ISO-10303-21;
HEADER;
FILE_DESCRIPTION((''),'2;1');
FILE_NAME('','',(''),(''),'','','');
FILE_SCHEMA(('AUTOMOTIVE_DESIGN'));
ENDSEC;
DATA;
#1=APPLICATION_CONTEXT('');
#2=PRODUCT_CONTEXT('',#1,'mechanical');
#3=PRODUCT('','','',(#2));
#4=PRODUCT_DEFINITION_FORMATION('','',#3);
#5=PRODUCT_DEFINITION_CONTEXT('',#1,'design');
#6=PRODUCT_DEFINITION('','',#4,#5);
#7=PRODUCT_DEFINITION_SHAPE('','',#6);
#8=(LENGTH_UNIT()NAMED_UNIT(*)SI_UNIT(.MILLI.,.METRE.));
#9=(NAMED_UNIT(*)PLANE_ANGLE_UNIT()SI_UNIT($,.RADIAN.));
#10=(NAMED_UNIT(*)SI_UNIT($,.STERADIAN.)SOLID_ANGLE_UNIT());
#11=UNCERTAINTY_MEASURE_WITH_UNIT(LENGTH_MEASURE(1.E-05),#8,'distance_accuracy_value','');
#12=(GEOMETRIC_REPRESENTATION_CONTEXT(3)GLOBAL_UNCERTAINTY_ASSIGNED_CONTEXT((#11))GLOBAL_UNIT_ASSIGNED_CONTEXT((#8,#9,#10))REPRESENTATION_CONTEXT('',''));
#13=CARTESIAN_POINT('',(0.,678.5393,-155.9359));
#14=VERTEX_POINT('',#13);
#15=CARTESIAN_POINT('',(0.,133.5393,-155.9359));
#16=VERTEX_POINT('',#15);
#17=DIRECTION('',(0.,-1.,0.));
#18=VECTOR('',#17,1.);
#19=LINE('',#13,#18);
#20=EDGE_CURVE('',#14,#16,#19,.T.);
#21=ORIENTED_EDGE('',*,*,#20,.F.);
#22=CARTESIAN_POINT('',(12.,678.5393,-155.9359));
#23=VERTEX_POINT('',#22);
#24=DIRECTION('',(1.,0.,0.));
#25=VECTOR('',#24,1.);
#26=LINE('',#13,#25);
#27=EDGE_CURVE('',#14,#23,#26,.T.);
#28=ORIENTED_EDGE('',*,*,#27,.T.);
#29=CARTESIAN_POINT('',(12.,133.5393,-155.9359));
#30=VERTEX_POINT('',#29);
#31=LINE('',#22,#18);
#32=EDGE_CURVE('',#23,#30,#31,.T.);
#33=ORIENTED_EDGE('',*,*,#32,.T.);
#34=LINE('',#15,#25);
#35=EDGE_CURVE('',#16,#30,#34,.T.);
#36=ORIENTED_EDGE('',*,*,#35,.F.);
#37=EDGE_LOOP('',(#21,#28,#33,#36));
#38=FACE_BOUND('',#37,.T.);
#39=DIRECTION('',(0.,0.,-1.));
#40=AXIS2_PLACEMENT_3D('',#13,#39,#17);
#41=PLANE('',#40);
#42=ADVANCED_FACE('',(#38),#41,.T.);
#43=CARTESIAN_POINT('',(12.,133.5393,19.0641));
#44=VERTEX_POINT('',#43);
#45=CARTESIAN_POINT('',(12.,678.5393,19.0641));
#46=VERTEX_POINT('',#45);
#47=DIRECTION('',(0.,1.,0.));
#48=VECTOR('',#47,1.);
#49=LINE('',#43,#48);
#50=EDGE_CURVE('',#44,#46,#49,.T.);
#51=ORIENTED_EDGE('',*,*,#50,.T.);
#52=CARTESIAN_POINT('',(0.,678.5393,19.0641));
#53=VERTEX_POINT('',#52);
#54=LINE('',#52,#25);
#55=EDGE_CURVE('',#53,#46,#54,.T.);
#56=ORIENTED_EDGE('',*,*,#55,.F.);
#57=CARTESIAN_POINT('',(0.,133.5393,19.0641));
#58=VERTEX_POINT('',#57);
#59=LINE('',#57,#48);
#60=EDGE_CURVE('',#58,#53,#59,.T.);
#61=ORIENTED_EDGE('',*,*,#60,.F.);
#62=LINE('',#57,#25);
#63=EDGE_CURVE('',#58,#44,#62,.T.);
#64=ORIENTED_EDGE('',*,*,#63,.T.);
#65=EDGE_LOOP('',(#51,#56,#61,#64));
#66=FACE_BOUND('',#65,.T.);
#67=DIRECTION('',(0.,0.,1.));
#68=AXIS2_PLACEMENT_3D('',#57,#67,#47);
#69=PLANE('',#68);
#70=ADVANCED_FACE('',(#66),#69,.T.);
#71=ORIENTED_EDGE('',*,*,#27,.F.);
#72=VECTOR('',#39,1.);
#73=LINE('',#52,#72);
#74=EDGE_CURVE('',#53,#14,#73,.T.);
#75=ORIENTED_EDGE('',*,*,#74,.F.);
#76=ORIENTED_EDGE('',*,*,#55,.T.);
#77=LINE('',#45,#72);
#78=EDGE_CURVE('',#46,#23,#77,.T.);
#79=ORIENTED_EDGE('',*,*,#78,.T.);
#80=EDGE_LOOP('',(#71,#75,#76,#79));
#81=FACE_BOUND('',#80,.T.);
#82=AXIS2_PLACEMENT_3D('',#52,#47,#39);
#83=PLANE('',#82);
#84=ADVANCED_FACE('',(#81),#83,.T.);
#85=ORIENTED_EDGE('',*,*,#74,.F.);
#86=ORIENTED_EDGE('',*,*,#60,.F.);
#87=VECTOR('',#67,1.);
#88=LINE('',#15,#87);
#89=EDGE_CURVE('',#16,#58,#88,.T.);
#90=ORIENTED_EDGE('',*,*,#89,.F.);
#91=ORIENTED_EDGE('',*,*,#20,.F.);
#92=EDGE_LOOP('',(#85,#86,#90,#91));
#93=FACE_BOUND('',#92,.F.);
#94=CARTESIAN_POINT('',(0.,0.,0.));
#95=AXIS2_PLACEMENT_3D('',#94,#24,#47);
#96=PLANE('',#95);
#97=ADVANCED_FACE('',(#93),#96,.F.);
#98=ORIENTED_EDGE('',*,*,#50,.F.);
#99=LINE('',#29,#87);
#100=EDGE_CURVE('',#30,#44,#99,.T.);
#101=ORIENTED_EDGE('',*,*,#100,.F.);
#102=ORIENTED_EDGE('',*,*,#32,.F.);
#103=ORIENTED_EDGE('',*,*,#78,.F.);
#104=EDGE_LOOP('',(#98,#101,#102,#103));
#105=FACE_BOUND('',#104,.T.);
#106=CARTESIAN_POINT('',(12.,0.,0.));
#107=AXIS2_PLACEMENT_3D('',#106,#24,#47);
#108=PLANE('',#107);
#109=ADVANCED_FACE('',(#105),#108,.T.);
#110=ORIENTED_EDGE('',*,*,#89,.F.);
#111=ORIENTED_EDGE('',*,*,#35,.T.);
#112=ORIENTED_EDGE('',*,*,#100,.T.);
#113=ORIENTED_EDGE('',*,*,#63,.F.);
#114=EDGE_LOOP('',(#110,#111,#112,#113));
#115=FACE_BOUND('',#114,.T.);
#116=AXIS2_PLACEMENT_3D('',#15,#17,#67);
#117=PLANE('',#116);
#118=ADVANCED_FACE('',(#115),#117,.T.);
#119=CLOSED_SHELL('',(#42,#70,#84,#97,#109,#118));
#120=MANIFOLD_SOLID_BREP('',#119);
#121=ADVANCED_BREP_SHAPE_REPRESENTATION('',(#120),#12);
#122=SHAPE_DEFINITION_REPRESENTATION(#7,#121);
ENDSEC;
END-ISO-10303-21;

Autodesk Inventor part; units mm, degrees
ref_plane "YZ Plane" through (0, 0, 0) normal (1, 0, 0) x (0, 1, 0)
ref_plane "XZ Plane" through (0, 0, 0) normal (0, 1, 0) x (-1, 0, 0)
ref_plane "XY Plane" through (0, 0, 0) normal (0, 0, 1) x (1, 0, 0)
sketch "Sketch1" plane through (0, 0, 0) normal (1, 0, 0) x (0, 1, 0)
  line L0 (133.5393, 19.0641) -> (678.5393, 19.0641)
  line L1 (678.5393, 19.0641) -> (678.5393, -155.9359)
  line L2 (678.5393, -155.9359) -> (133.5393, -155.9359)
  line L3 (133.5393, -155.9359) -> (133.5393, 19.0641)
  point P0 (0, 0)
  dimension "b" = 545
  dimension "d1" = 175
extrude "Extrusion1" add sketch "Sketch1" along normal blind 12
properties part number "CUT PART H-01" material "Wood (Birch)"
